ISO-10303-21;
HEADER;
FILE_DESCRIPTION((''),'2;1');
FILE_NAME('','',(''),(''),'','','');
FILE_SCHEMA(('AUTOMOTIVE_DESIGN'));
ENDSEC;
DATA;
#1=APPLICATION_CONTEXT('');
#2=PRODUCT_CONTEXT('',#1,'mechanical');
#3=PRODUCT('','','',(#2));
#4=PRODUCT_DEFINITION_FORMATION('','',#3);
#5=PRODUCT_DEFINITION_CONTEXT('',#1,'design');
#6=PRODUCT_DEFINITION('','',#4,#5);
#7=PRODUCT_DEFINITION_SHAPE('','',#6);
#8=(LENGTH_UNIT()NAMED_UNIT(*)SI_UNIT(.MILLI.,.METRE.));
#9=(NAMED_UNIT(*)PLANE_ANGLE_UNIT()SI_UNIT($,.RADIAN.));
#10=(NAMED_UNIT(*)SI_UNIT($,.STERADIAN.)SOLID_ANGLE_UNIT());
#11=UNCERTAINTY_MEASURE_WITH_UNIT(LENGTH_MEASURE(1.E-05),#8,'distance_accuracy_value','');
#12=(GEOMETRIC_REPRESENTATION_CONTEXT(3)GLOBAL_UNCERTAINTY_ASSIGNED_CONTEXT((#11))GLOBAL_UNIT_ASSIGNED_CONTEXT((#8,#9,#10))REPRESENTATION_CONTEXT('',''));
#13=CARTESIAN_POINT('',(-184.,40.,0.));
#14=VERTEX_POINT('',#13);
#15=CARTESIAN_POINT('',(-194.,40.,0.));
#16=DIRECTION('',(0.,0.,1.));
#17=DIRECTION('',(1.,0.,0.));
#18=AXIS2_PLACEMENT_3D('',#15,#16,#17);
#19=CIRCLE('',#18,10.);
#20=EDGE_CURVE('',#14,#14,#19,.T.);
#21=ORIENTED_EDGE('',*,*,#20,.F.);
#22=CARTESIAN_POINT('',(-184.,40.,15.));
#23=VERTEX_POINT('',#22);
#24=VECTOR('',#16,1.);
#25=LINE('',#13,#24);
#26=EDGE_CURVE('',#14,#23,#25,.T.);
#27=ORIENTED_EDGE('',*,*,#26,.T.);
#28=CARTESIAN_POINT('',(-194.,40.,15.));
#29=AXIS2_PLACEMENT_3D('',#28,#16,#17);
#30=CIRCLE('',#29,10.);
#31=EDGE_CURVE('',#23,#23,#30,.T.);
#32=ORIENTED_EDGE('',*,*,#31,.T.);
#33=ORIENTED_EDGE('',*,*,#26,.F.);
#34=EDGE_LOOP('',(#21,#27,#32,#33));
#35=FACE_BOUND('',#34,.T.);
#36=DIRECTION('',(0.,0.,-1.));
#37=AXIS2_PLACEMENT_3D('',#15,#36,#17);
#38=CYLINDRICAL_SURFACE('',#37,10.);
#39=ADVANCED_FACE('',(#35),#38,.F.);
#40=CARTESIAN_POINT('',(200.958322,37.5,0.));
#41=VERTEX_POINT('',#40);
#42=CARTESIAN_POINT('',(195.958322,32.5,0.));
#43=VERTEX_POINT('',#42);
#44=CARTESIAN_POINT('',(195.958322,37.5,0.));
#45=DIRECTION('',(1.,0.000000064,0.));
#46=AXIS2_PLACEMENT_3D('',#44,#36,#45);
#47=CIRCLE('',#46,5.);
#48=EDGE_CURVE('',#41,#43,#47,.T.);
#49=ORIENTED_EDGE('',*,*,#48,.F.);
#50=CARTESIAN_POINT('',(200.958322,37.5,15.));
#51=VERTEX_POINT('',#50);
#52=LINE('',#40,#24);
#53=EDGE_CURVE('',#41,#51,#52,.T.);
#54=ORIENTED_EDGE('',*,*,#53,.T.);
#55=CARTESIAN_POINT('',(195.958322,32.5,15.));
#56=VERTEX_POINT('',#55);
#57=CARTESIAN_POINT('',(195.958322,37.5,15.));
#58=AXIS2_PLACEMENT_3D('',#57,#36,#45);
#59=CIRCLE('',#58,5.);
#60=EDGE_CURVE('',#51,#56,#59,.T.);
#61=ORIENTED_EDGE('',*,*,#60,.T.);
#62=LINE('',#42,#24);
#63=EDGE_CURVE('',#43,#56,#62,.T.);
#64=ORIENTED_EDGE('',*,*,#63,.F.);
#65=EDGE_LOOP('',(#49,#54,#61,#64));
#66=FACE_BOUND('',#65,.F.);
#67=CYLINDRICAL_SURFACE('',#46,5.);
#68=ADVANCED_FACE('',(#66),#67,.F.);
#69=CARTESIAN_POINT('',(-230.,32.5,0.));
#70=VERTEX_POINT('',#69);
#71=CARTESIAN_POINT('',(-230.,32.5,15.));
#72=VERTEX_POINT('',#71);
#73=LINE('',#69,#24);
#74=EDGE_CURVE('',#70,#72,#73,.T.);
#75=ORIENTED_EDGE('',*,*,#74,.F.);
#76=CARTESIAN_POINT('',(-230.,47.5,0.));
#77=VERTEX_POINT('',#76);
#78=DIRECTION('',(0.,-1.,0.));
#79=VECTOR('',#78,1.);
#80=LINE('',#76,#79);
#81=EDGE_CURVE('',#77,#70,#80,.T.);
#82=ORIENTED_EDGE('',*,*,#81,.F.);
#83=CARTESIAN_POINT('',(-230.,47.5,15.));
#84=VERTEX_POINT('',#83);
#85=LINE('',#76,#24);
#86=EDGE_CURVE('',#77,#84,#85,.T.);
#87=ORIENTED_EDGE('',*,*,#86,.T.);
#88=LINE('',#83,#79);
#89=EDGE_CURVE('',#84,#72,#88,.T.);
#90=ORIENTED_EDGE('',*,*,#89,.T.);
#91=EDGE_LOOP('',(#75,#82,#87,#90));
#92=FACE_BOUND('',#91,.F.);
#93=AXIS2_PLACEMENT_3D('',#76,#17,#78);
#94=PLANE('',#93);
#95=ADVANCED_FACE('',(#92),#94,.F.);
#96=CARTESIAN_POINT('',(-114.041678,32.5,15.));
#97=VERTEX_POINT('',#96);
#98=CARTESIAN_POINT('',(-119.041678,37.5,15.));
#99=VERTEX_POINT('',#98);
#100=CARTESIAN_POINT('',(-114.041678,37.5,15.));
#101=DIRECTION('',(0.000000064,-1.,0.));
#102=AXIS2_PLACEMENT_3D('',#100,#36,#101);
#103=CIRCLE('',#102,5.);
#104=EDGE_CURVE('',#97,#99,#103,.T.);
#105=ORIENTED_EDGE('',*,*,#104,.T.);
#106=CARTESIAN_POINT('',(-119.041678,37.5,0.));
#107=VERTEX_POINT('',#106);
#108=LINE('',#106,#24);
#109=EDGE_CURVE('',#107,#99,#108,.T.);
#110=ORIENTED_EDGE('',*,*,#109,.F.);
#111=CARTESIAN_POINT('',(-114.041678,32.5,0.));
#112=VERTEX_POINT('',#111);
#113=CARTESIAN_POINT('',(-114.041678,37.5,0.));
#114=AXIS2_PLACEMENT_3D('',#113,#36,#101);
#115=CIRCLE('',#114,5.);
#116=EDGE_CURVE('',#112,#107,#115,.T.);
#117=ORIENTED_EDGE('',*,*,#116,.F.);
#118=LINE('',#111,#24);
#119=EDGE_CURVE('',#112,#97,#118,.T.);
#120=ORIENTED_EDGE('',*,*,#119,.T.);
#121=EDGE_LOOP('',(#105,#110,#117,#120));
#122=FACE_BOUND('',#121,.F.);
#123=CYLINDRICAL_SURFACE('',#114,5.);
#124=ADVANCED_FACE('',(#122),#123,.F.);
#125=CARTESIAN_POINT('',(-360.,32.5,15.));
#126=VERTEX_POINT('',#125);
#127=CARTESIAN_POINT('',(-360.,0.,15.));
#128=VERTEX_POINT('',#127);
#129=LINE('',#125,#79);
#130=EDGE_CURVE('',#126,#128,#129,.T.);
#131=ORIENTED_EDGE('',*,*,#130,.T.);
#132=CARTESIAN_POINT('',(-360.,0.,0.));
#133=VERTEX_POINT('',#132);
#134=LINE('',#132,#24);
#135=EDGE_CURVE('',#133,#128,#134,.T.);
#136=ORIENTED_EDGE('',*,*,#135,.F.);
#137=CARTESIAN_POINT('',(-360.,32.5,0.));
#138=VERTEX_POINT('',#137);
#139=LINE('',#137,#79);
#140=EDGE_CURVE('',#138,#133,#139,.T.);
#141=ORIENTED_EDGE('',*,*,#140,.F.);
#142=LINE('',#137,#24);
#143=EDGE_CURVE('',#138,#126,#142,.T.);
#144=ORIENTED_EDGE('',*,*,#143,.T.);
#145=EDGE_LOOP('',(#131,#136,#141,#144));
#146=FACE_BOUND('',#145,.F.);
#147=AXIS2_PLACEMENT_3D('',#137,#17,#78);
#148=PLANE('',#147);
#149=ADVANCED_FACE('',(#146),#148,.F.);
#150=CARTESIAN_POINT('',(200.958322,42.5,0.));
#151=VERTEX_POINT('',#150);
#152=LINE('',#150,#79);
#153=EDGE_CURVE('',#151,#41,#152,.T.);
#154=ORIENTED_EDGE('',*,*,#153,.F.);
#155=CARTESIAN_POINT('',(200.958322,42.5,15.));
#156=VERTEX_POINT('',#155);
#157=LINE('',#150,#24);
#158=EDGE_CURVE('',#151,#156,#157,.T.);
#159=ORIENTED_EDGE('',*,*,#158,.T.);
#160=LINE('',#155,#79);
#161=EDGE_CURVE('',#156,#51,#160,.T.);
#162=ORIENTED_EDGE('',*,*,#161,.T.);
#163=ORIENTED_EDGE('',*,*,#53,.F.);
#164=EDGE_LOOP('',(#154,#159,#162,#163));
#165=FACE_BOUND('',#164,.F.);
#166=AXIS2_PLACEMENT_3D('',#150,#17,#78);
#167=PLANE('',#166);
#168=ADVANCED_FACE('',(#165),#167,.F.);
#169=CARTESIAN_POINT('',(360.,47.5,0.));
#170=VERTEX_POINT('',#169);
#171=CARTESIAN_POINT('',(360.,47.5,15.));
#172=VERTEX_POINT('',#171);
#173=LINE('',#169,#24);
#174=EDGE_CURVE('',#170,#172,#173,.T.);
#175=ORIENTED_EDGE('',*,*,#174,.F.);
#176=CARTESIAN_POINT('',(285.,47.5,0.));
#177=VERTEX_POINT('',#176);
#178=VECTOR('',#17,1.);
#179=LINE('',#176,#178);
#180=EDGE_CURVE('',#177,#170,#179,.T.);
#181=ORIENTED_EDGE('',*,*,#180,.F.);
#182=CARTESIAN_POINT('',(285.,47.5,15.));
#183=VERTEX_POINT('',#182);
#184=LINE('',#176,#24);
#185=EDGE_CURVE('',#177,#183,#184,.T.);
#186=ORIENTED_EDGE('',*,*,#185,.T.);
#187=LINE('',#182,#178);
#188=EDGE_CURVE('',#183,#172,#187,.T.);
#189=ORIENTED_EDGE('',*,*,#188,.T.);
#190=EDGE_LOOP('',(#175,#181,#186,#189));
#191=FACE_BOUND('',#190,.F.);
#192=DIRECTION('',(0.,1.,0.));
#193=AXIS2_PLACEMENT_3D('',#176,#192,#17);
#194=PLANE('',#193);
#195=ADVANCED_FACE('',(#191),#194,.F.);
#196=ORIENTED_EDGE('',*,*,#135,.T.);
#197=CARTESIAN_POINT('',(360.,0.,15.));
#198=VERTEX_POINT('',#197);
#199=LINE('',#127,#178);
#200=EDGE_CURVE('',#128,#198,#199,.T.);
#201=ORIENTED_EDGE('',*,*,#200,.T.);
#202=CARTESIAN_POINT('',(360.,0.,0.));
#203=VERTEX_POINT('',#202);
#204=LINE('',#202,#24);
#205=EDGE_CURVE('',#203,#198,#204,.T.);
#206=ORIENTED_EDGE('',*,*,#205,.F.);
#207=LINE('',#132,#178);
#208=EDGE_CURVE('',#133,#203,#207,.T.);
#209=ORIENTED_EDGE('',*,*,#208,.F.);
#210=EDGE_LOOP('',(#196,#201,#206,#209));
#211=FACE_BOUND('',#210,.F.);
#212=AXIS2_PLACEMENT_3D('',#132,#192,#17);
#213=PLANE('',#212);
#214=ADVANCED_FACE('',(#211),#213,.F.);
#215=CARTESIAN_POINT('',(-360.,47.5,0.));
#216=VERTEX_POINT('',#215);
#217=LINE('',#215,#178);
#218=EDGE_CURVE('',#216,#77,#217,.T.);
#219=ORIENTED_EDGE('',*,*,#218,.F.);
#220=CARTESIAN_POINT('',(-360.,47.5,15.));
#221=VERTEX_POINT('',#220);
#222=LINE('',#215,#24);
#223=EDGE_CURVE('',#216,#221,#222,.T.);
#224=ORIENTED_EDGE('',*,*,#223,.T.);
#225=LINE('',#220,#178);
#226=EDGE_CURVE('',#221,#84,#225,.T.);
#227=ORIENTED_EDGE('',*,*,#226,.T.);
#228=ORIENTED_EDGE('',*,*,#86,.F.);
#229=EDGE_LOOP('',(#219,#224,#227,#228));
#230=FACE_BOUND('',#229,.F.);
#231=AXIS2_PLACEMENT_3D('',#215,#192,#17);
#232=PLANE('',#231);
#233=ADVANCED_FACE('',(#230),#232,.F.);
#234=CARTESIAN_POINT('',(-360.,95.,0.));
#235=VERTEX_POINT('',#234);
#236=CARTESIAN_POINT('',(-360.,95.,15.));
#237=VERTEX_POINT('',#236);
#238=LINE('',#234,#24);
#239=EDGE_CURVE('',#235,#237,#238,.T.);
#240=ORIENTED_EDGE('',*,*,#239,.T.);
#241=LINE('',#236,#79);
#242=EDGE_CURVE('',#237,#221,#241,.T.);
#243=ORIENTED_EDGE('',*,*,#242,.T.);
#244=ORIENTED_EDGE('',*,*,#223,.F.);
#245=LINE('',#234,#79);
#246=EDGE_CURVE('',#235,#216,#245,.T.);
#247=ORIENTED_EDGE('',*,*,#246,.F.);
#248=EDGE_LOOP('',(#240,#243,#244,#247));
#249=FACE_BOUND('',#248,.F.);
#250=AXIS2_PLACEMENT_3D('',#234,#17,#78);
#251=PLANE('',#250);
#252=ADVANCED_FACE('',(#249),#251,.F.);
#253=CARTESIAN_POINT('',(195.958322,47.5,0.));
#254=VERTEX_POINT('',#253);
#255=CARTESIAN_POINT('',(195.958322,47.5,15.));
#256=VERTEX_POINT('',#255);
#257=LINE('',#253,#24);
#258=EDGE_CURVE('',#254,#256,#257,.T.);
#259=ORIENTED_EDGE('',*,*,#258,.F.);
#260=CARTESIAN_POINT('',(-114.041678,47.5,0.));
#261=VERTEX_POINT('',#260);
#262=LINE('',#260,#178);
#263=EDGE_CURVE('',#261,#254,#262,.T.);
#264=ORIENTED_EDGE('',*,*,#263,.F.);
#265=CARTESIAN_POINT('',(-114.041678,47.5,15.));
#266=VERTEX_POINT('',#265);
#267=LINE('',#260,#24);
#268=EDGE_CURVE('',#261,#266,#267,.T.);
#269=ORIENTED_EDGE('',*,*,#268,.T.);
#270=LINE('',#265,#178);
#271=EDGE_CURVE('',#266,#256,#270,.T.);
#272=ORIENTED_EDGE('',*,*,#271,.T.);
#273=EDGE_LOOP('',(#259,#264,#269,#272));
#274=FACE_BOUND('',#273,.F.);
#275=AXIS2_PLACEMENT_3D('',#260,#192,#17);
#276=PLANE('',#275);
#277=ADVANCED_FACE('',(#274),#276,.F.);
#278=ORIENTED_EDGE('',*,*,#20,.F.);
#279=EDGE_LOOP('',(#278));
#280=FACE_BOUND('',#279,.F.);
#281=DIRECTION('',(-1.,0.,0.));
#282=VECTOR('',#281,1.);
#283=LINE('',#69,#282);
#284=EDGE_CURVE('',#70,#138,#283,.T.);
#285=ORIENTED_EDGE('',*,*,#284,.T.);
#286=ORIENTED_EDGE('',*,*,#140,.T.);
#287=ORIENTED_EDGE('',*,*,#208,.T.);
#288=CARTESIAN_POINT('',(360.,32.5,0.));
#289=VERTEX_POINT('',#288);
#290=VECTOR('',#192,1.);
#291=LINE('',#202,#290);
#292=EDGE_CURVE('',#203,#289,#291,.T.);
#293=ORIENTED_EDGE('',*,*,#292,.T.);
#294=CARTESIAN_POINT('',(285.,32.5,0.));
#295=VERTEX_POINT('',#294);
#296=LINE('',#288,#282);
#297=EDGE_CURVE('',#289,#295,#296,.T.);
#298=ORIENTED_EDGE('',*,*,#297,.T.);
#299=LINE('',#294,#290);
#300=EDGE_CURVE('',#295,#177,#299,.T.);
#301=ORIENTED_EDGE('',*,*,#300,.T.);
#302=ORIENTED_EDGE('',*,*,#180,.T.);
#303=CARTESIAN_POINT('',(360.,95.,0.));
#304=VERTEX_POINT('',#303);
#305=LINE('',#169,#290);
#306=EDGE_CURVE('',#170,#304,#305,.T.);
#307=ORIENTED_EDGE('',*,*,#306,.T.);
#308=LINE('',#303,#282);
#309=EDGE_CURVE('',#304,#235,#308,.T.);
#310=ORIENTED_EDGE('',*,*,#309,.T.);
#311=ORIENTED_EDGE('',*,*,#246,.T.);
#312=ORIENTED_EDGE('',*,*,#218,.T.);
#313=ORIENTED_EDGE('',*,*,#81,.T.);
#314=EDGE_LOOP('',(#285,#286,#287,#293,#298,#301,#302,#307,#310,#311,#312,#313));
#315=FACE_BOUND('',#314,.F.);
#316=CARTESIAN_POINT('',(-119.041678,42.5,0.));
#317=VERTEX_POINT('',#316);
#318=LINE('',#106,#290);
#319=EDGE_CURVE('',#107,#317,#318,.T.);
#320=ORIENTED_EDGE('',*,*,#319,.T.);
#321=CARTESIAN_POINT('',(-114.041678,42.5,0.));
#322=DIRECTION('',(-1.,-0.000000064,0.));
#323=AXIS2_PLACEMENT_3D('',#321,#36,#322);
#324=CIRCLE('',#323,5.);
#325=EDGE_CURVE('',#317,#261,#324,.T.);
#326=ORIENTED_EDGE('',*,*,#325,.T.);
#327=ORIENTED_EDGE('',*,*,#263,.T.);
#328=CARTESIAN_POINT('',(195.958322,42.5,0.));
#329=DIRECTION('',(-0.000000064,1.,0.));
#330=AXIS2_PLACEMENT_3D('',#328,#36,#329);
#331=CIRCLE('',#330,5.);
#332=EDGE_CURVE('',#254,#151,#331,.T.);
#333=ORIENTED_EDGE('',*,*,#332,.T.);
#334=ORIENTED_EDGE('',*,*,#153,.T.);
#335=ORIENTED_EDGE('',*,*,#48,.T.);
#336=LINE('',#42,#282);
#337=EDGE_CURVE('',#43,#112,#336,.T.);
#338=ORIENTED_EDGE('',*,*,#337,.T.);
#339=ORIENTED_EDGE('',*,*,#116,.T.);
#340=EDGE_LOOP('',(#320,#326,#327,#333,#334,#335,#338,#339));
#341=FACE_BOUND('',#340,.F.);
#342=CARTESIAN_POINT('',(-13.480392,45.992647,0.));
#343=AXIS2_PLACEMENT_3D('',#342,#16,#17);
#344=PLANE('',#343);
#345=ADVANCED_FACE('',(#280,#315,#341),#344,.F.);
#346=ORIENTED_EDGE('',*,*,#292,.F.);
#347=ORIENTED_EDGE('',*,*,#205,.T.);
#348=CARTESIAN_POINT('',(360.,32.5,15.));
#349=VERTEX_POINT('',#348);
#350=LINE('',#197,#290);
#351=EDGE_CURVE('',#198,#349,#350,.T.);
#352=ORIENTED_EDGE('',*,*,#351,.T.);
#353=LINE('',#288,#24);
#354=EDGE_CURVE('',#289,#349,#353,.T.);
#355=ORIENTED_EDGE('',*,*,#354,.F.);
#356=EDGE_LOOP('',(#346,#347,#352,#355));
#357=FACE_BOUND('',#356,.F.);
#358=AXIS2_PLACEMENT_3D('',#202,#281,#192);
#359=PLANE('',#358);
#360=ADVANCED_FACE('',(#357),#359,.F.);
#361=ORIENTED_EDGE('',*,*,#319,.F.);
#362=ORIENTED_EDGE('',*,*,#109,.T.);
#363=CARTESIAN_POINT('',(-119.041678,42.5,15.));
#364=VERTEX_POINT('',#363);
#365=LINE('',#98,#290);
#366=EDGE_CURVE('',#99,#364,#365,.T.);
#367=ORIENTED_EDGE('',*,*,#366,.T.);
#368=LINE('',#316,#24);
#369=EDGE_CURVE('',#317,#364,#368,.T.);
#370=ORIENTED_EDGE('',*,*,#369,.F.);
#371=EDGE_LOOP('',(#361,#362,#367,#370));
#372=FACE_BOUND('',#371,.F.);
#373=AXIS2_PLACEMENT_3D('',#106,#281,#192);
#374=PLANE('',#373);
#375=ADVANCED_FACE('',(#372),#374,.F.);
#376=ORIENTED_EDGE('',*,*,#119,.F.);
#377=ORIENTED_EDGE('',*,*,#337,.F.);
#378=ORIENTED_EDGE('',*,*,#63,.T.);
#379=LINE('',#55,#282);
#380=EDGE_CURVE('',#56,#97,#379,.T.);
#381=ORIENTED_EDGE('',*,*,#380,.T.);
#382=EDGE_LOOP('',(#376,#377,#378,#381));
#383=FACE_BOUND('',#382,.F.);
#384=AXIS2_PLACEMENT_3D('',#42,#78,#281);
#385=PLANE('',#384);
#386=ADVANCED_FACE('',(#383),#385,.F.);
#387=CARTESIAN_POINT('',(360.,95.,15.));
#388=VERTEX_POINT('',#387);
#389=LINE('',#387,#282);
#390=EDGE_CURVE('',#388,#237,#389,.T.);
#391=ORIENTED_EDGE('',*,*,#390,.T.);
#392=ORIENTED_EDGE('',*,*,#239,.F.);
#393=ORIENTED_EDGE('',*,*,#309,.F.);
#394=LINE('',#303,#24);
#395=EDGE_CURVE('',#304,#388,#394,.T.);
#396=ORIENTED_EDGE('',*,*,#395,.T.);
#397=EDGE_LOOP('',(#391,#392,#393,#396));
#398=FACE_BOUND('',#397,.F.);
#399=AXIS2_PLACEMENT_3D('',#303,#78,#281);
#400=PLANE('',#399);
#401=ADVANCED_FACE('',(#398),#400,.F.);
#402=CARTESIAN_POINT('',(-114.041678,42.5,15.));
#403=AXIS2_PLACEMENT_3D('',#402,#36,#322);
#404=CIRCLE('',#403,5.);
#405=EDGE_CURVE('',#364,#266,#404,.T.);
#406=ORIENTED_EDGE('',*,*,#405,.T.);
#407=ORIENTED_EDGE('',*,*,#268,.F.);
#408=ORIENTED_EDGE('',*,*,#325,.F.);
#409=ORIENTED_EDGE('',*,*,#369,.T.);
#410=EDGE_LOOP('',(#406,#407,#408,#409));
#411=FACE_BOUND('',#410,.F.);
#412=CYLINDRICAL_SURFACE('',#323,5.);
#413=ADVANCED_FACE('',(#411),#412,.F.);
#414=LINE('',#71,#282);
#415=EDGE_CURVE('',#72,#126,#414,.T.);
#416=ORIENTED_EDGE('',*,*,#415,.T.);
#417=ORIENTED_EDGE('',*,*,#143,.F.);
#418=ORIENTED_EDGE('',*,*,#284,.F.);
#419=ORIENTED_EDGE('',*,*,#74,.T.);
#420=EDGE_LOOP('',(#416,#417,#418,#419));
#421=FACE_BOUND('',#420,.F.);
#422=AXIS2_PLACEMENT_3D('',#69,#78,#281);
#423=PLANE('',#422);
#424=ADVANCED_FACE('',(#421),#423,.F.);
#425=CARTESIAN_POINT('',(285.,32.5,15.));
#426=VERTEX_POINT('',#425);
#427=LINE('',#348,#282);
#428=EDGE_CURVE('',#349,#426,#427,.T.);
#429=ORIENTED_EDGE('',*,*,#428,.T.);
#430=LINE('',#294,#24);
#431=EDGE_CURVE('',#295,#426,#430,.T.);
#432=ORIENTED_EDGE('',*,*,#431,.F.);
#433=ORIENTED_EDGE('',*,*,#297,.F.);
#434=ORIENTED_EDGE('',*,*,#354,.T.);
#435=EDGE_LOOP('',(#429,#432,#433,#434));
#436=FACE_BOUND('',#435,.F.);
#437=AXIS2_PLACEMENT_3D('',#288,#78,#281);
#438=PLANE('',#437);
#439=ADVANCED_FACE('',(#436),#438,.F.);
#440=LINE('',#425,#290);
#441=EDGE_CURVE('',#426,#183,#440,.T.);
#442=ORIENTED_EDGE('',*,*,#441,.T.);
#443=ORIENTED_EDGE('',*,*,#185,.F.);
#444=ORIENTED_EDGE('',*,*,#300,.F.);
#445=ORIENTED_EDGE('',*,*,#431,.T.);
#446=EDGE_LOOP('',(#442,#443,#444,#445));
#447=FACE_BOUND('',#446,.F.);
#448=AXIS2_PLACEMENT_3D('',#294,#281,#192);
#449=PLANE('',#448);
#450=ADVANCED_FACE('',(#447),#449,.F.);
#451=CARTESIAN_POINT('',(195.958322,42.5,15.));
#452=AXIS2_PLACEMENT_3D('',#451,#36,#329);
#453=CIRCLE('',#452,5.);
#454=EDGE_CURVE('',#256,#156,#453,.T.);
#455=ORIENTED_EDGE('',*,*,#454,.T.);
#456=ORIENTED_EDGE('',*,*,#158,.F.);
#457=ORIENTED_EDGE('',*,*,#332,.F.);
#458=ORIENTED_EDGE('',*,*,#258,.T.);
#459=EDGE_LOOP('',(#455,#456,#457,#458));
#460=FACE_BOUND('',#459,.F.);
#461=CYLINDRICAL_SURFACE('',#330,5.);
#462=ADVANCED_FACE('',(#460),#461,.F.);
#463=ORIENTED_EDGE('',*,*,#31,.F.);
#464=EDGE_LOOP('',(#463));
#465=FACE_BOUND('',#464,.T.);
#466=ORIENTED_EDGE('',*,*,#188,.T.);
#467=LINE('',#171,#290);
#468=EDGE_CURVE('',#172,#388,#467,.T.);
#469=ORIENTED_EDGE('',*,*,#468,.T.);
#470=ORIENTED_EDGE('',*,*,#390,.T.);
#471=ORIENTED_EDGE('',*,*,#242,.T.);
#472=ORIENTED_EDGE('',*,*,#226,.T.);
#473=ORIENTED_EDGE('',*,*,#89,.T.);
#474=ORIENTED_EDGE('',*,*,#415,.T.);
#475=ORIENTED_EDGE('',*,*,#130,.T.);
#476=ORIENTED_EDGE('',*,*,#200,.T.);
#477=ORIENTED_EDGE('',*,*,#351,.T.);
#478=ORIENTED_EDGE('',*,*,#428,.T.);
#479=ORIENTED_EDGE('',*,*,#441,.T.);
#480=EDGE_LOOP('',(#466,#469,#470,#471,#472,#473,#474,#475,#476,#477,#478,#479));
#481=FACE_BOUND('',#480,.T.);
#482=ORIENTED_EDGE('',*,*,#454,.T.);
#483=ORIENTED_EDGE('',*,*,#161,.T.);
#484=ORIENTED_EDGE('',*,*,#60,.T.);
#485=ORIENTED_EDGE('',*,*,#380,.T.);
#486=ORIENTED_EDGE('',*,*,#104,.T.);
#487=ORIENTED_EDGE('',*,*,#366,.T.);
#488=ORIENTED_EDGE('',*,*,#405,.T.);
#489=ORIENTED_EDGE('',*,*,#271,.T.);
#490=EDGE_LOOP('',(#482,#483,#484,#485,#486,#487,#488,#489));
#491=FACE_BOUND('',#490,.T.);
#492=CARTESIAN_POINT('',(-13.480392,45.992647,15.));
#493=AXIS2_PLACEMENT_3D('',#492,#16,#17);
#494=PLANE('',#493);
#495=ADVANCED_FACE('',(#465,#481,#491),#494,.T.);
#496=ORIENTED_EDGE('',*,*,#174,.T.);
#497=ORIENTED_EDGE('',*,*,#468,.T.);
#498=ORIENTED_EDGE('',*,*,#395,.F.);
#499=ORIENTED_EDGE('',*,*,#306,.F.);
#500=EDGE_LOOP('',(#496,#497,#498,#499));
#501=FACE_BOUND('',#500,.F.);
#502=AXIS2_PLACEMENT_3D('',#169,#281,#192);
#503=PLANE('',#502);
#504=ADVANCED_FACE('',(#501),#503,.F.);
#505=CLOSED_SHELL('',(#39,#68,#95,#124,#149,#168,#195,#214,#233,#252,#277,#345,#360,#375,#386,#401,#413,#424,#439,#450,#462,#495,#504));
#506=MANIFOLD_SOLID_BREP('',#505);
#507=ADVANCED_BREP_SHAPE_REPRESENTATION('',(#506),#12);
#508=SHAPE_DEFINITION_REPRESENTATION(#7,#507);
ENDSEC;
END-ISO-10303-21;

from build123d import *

# Parameters (mm, degrees)
F0_R     = 10
F1_DEPTH = 15


with BuildPart() as f1:
    # F0 (on Top) → F1 (new body)
    with BuildSketch(Plane.XY):
        Polygon((-360, 32.5), (-360, 0), (360, 0), (360, 32.5), (285, 32.5), (285, 47.5), (360, 47.5), (360, 95), (-360, 95), (-360, 47.5), (-230, 47.5), (-230, 32.5), align=None)
        with Locations((-194, 40)):
            Circle(F0_R, mode=Mode.SUBTRACT)
        with BuildLine():
            ThreePointArc((-119.041678, 42.5), (-117.577212, 46.035534), (-114.041678, 47.5))
            Line((-114.041678, 47.5), (195.958322, 47.5))
            ThreePointArc((195.958322, 47.5), (199.493856, 46.035534), (200.958322, 42.5))
            Line((200.958322, 42.5), (200.958322, 37.5))
            ThreePointArc((200.958322, 37.5), (199.493856, 33.964466), (195.958322, 32.5))
            Line((195.958322, 32.5), (-114.041678, 32.5))
            ThreePointArc((-114.041678, 32.5), (-117.577212, 33.964466), (-119.041678, 37.5))
            Line((-119.041678, 37.5), (-119.041678, 42.5))
        make_face(mode=Mode.SUBTRACT)
    extrude(amount=F1_DEPTH)


solid = f1.part
